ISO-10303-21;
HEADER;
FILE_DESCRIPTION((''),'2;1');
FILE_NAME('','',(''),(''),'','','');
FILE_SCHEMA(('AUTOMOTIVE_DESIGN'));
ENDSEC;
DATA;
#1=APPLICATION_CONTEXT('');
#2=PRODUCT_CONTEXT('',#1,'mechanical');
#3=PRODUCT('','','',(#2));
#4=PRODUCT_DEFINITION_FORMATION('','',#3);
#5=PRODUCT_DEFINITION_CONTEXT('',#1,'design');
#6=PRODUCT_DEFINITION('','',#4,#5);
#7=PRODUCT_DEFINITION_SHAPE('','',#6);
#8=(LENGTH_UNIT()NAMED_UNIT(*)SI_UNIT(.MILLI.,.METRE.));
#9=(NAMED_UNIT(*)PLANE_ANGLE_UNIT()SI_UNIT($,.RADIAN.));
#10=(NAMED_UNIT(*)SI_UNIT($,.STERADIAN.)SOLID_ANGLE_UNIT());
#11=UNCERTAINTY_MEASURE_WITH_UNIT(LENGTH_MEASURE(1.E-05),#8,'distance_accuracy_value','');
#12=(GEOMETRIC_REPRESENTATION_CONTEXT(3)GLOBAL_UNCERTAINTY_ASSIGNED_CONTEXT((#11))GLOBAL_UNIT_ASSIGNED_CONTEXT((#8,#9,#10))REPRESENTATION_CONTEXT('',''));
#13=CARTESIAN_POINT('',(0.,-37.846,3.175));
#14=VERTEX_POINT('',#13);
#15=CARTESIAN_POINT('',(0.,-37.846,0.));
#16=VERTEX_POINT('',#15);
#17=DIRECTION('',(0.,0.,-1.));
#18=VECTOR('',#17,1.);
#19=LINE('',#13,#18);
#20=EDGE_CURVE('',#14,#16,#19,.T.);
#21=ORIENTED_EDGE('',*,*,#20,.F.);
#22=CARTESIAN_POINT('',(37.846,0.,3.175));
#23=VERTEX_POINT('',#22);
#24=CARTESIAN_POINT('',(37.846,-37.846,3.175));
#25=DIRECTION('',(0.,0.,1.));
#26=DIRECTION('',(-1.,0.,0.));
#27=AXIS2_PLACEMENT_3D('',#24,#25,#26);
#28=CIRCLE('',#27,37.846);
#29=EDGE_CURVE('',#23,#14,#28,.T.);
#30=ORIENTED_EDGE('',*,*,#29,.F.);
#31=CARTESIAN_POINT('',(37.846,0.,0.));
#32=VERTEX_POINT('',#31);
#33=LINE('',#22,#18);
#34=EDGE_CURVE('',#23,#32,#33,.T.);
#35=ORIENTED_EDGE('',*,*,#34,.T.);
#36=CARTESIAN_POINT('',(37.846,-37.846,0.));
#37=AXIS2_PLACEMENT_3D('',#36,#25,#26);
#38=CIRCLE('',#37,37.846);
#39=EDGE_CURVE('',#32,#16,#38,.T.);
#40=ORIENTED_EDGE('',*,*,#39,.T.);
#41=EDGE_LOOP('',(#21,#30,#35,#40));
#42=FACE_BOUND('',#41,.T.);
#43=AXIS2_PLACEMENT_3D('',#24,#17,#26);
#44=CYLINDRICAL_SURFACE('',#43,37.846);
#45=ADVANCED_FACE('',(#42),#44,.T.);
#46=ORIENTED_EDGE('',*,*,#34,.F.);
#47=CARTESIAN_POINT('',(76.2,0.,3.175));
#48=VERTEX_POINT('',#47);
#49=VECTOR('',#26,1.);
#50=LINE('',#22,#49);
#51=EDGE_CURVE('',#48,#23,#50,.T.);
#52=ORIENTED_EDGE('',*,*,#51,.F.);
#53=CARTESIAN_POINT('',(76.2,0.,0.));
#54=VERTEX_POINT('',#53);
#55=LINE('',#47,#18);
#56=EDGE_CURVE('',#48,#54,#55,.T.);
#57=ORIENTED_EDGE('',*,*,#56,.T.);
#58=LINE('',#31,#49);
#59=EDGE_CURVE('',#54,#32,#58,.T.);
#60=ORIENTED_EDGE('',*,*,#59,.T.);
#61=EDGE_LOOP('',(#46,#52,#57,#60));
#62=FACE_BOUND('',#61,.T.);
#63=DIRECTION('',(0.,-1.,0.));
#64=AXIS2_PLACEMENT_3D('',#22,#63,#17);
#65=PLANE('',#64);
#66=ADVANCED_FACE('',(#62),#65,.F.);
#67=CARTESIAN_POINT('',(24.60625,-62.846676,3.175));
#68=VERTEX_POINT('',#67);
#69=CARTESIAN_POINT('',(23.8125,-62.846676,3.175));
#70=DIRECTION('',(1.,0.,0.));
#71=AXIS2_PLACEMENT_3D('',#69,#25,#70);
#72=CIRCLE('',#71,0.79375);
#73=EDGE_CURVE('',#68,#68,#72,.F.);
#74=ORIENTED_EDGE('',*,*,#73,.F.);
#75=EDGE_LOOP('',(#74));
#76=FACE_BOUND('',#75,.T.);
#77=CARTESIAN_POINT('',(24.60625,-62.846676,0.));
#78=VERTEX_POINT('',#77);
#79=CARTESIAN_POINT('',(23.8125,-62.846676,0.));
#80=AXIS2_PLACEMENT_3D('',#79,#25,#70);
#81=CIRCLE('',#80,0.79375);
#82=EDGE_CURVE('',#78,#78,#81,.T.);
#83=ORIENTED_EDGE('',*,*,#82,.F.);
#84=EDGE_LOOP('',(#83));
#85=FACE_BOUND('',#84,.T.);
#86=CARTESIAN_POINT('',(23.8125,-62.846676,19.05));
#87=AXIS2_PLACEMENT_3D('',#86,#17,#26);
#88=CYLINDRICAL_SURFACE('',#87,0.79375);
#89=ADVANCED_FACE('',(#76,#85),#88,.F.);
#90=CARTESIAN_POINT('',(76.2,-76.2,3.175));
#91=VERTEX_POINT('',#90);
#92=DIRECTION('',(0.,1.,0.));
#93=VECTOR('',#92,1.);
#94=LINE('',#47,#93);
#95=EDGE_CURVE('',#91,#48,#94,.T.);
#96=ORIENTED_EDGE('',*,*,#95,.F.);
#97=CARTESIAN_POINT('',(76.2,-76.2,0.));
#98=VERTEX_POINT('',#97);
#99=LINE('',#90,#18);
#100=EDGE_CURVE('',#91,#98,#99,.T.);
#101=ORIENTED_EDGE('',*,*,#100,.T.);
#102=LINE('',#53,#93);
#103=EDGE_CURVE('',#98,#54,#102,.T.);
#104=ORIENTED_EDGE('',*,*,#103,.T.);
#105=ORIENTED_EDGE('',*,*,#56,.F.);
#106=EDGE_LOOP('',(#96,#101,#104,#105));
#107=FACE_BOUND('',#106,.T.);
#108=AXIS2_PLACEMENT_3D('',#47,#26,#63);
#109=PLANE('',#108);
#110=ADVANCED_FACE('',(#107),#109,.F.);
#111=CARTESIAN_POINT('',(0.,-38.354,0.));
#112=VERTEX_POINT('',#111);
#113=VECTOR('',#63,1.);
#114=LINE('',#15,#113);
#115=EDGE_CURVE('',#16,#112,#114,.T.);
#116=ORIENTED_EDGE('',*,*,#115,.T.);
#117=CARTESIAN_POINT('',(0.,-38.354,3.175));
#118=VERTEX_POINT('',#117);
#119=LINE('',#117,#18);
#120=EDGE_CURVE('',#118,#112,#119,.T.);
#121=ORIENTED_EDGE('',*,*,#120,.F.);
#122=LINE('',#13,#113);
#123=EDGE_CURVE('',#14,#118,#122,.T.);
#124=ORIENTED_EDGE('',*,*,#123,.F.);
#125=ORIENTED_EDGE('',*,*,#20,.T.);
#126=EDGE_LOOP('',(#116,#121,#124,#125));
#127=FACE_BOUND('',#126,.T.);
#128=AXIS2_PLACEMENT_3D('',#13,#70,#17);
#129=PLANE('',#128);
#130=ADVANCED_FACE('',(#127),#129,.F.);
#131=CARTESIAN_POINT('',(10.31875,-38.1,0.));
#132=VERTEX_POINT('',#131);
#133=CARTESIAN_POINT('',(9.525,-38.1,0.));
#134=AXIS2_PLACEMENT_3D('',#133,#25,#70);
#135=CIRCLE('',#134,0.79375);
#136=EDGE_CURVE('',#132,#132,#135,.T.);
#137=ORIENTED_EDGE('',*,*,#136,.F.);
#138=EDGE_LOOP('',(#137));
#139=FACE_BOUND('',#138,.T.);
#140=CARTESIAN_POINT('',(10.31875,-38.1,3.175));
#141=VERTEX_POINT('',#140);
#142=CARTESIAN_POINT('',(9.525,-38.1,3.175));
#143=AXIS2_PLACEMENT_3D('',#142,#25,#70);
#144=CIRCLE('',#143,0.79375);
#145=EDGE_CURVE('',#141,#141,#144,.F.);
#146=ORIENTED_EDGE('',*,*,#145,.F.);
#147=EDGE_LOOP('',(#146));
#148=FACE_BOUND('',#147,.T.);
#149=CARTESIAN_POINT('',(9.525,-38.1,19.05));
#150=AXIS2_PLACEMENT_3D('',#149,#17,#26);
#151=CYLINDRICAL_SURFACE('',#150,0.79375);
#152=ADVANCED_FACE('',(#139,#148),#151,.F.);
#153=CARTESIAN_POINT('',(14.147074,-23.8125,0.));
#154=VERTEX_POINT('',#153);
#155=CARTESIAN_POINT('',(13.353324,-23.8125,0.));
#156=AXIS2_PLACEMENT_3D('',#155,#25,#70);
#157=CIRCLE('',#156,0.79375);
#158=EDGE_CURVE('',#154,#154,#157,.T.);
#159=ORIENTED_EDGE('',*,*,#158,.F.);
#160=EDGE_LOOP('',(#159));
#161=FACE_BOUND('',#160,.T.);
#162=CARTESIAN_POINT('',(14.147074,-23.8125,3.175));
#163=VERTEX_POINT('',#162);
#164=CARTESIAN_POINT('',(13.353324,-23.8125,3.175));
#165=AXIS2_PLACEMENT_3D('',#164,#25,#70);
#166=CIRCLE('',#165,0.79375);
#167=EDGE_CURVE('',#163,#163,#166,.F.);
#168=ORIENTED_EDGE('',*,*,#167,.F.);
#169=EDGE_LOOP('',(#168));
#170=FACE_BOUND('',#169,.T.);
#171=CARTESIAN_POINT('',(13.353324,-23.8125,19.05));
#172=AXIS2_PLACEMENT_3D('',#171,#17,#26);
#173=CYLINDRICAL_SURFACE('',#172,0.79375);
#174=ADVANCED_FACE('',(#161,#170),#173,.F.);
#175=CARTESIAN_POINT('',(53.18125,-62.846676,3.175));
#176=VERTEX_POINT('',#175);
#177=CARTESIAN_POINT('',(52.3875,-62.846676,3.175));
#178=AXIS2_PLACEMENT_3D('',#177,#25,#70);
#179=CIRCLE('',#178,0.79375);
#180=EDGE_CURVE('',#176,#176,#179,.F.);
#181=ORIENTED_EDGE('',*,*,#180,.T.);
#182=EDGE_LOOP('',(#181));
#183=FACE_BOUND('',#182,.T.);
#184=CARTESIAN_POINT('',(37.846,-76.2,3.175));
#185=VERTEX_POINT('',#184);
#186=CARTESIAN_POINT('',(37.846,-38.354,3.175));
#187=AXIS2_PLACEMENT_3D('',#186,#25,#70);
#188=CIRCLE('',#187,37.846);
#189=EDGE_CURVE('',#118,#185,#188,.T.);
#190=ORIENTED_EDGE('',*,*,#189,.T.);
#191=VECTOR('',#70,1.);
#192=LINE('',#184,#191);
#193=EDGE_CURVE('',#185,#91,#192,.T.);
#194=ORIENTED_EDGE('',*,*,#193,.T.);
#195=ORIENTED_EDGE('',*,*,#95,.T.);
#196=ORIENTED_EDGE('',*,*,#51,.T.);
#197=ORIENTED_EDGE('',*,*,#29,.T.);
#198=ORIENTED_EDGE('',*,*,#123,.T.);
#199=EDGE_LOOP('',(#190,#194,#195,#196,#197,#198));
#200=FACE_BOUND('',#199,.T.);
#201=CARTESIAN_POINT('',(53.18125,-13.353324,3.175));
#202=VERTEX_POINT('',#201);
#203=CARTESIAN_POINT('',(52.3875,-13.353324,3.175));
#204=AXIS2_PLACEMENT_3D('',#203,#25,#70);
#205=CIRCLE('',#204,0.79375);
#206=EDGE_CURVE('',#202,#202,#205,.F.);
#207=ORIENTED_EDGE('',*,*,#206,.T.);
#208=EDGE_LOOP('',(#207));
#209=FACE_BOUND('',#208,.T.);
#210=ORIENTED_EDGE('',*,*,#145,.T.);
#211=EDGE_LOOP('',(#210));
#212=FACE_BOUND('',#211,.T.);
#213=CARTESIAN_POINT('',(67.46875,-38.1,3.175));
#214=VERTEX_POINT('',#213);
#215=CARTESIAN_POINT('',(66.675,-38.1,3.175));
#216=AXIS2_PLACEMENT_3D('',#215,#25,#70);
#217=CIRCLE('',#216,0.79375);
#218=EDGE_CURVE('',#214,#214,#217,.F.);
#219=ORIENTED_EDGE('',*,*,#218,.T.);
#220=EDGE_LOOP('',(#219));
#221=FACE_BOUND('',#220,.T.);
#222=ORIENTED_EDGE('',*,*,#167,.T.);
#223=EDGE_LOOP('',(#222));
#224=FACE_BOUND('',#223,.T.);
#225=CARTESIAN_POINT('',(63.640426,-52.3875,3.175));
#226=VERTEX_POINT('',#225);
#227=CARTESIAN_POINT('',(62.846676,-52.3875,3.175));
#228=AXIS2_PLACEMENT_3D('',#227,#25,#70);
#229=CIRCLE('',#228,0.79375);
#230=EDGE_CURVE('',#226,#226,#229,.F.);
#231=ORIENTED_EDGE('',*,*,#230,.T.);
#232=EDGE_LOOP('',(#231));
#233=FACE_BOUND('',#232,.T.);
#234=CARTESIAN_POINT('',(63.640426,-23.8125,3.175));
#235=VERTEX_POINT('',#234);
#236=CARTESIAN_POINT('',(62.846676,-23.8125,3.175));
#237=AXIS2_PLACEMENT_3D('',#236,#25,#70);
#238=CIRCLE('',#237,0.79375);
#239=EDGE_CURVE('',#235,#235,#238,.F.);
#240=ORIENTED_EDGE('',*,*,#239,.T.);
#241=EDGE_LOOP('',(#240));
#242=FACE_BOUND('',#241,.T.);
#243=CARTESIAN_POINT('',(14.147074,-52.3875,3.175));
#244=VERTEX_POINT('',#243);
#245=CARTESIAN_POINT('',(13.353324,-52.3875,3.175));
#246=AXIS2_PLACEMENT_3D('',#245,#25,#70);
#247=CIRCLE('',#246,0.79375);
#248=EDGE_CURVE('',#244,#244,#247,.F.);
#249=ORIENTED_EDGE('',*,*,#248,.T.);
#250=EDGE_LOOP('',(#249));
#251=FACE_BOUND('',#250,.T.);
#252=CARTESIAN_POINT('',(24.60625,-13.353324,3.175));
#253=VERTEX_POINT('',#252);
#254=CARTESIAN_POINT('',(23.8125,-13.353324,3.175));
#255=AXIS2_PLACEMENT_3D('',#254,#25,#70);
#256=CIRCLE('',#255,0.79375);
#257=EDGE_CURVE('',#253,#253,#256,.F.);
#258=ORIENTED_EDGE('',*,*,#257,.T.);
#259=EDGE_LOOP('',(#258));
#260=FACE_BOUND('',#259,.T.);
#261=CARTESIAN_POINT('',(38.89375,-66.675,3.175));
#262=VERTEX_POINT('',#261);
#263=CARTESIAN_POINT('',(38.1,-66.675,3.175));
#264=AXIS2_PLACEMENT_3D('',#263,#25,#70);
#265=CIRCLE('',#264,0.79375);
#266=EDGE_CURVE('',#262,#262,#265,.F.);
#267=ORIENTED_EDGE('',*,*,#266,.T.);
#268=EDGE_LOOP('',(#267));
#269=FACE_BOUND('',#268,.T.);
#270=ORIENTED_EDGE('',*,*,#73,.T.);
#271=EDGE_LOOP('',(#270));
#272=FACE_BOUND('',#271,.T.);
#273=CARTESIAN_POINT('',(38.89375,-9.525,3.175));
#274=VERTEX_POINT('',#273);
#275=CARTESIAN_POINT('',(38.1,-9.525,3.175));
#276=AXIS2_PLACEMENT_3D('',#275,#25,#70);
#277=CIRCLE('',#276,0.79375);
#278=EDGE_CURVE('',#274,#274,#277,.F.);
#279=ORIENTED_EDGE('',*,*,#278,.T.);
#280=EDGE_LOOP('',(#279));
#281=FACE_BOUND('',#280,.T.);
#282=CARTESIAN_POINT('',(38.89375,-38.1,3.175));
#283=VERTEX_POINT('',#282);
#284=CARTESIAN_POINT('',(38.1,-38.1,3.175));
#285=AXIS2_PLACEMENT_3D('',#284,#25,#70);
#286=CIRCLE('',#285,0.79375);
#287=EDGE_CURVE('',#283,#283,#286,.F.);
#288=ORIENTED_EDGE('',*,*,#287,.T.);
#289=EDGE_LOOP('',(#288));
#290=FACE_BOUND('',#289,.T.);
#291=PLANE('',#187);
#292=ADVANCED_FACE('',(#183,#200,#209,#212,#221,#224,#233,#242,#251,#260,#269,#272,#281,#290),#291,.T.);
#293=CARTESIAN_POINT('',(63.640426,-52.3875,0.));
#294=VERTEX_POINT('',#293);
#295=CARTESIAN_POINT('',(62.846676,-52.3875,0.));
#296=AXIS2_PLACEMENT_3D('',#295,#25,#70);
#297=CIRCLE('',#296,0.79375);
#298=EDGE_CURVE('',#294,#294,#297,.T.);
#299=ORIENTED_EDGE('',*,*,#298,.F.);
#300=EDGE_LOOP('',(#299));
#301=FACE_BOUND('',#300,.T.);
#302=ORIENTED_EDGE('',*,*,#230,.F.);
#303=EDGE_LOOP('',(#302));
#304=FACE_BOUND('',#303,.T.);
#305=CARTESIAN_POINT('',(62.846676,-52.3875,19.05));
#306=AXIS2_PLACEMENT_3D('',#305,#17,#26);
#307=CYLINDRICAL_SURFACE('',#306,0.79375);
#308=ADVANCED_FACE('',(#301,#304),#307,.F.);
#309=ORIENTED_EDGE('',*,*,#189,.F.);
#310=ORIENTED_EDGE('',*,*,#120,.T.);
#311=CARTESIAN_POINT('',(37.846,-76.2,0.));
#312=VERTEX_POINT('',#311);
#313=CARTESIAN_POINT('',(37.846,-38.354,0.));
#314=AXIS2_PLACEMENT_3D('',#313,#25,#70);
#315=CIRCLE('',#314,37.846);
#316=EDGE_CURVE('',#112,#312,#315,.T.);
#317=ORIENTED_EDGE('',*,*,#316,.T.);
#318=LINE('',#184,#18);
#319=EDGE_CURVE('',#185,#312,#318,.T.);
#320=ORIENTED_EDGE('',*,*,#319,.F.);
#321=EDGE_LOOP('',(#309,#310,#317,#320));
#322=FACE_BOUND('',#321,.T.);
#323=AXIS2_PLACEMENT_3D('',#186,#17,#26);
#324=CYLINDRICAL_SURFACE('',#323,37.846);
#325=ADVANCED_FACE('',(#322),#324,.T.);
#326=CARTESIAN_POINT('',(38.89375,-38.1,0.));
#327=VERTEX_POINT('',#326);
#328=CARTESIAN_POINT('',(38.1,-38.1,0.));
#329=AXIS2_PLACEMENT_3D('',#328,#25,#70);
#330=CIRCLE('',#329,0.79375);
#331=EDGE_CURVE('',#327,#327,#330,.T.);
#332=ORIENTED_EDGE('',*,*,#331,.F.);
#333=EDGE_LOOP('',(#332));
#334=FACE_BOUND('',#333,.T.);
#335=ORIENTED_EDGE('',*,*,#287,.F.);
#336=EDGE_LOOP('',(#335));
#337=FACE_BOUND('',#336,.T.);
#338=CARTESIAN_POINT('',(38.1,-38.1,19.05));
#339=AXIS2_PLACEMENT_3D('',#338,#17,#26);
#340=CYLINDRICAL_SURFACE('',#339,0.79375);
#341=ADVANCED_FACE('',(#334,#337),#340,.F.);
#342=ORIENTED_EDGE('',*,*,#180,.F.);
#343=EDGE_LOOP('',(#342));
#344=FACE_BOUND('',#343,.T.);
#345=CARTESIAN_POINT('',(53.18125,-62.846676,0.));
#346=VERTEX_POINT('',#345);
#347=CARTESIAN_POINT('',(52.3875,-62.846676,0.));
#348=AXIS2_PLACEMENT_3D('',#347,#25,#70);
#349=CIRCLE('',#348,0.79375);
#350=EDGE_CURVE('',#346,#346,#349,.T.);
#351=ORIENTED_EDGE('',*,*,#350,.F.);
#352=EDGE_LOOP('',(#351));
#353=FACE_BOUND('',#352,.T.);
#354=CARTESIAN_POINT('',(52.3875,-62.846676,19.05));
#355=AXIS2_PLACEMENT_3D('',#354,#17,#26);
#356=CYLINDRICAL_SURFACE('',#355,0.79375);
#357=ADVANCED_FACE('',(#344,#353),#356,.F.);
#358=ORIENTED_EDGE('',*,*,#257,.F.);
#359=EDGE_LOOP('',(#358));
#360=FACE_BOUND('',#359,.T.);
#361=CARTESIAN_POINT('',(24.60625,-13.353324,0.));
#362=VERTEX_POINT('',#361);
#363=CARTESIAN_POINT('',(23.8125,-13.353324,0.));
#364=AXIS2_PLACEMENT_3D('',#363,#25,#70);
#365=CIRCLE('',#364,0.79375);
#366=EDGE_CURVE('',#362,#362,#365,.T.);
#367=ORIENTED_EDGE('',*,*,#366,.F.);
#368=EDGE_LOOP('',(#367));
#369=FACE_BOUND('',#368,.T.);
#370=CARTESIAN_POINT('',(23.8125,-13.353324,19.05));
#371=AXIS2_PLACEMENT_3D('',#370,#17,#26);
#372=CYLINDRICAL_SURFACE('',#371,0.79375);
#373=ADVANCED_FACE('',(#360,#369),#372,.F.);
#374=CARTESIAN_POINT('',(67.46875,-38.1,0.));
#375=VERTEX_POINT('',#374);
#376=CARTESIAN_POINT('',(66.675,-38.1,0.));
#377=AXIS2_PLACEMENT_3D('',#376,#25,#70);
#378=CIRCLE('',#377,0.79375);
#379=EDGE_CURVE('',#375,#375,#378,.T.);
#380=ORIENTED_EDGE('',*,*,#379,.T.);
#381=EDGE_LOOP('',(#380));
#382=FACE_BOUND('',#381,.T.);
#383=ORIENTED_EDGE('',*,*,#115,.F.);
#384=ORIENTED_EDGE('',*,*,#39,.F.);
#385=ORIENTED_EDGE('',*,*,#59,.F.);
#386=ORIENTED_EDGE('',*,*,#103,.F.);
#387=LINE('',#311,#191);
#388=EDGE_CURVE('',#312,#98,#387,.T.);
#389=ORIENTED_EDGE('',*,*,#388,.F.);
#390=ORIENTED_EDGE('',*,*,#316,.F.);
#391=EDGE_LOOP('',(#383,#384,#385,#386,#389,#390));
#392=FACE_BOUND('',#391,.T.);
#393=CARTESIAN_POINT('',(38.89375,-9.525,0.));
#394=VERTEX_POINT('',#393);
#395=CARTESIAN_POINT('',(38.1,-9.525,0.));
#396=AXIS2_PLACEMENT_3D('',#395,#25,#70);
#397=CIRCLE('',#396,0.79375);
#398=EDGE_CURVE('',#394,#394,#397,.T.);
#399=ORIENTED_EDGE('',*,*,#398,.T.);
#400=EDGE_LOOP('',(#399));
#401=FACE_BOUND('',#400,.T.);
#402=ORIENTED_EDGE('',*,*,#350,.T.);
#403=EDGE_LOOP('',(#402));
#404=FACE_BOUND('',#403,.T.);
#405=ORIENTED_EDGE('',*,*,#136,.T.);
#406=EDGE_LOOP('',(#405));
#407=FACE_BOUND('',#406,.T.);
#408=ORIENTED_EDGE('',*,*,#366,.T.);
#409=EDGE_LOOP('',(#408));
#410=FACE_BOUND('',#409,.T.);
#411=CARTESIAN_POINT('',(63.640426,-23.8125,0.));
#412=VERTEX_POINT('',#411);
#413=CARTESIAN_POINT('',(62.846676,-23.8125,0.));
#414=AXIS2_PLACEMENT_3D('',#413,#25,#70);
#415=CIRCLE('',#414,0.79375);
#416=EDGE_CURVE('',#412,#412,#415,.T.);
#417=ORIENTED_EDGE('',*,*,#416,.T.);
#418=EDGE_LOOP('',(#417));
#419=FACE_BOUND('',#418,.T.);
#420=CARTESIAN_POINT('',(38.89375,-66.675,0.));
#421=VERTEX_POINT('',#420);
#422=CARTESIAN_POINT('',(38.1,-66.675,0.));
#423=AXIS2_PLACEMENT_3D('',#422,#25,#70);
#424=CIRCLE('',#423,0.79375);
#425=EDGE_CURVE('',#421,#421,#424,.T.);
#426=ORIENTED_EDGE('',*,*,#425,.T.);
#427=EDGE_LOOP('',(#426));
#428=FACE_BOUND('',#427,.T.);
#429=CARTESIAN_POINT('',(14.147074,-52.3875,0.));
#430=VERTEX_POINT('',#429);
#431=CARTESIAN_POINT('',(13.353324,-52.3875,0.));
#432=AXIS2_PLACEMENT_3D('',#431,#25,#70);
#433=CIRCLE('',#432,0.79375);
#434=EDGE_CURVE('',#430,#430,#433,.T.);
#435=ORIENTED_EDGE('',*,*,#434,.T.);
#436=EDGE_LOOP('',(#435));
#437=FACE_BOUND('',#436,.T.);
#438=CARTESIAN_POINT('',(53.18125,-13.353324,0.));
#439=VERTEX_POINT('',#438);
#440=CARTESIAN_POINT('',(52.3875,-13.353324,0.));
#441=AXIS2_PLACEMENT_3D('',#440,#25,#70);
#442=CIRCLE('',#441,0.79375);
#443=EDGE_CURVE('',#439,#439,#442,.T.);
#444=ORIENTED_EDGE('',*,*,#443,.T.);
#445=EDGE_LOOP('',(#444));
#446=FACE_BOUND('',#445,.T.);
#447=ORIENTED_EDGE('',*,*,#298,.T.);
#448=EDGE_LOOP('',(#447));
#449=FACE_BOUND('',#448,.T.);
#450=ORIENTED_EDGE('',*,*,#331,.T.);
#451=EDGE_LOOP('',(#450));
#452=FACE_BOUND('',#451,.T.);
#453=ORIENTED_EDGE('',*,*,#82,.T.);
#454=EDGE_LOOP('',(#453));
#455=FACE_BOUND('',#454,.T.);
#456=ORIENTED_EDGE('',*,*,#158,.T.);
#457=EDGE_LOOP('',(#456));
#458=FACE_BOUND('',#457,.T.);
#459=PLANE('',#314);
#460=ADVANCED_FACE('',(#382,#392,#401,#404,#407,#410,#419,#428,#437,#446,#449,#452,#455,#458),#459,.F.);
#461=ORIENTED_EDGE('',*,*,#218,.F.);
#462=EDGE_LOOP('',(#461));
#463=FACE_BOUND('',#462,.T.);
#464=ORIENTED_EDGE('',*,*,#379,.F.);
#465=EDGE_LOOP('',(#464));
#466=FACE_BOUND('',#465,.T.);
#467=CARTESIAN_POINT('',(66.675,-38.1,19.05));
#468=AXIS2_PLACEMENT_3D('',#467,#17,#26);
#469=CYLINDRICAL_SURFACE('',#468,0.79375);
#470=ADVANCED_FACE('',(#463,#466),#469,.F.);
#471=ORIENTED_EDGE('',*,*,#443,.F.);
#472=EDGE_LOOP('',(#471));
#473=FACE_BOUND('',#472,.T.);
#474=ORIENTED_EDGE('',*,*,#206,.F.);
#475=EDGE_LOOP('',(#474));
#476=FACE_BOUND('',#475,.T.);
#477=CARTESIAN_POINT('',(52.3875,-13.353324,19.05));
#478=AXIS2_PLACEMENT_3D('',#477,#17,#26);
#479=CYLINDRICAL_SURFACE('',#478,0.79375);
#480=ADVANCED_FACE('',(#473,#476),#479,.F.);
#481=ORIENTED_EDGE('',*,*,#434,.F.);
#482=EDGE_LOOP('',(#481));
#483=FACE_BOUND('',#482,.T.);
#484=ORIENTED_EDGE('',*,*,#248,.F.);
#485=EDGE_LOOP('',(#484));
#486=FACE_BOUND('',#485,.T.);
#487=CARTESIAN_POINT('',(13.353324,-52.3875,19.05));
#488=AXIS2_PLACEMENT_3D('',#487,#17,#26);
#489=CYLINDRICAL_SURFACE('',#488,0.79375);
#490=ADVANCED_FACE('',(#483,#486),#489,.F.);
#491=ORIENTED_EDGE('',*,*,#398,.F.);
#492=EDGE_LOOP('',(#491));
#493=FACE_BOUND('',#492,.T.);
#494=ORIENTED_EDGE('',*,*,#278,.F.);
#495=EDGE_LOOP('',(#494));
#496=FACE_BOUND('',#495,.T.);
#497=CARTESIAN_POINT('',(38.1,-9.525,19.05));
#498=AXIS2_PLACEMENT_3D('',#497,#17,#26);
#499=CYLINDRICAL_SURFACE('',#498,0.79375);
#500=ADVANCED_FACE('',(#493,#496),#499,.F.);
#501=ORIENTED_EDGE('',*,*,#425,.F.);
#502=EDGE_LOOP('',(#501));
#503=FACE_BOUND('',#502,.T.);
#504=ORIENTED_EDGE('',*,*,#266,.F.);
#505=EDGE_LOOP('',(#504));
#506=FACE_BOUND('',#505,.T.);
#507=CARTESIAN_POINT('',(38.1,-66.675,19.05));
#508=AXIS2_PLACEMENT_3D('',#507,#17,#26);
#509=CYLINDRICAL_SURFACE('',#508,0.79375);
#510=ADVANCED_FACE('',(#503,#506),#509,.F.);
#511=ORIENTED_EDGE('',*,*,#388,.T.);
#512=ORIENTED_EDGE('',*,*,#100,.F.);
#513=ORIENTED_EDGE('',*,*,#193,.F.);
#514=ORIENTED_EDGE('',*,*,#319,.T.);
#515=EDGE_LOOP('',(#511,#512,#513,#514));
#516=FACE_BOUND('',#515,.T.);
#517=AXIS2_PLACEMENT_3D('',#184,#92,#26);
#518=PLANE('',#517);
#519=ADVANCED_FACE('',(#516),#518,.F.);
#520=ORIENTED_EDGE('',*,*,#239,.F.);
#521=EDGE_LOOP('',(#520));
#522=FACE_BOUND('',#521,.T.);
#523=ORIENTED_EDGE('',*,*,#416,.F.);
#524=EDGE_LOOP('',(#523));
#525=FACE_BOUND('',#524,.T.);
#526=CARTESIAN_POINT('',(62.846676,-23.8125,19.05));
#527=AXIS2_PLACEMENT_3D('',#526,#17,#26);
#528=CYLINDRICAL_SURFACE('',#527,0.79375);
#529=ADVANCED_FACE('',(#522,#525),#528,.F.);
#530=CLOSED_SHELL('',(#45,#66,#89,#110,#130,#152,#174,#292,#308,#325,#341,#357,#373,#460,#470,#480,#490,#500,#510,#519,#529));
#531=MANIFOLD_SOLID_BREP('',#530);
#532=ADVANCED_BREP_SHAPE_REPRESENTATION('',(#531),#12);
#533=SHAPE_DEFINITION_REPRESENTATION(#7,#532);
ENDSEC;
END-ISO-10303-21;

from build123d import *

# Parameters (mm, degrees)
BOSS_EXTRUDE1_DEPTH = 3.175
SKETCH5_R           = 0.79375
CUT_EXTRUDE10_DEPTH = 19.05


with BuildPart() as part:
    # Sketch2 → Boss-Extrude1 (new body)
    with BuildSketch(Plane.XY):
        with BuildLine():
            Line((76.2, 0), (76.2, -76.2))
            Line((76.2, -76.2), (37.846, -76.2))
            ThreePointArc((37.846, -76.2), (11.084836759, -65.115163241), (0, -38.354))
            Line((0, -38.354), (0, -37.846))
            ThreePointArc((0, -37.846), (11.084836759, -11.084836759), (37.846, 0))
            Line((37.846, 0), (76.2, 0))
        make_face()
    extrude(amount=BOSS_EXTRUDE1_DEPTH)

    # Sketch5 → Cut-Extrude10 (cut)
    with BuildSketch(Plane.XY):
        with Locations((38.1, -38.1)):
            Circle(SKETCH5_R)
        with Locations((66.675, -38.1)):
            Circle(SKETCH5_R)
        with Locations((62.846675913, -52.3875)):
            Circle(SKETCH5_R)
        with Locations((52.3875, -62.846675913)):
            Circle(SKETCH5_R)
        with Locations((38.1, -66.675)):
            Circle(SKETCH5_R)
        with Locations((23.8125, -62.846675913)):
            Circle(SKETCH5_R)
        with Locations((13.353324087, -52.3875)):
            Circle(SKETCH5_R)
        with Locations((9.525, -38.1)):
            Circle(SKETCH5_R)
        with Locations((13.353324087, -23.8125)):
            Circle(SKETCH5_R)
        with Locations((23.8125, -13.353324087)):
            Circle(SKETCH5_R)
        with Locations((38.1, -9.525)):
            Circle(SKETCH5_R)
        with Locations((52.3875, -13.353324087)):
            Circle(SKETCH5_R)
        with Locations((62.846675913, -23.8125)):
            Circle(SKETCH5_R)
    extrude(amount=CUT_EXTRUDE10_DEPTH, mode=Mode.SUBTRACT)


solid = part.part
